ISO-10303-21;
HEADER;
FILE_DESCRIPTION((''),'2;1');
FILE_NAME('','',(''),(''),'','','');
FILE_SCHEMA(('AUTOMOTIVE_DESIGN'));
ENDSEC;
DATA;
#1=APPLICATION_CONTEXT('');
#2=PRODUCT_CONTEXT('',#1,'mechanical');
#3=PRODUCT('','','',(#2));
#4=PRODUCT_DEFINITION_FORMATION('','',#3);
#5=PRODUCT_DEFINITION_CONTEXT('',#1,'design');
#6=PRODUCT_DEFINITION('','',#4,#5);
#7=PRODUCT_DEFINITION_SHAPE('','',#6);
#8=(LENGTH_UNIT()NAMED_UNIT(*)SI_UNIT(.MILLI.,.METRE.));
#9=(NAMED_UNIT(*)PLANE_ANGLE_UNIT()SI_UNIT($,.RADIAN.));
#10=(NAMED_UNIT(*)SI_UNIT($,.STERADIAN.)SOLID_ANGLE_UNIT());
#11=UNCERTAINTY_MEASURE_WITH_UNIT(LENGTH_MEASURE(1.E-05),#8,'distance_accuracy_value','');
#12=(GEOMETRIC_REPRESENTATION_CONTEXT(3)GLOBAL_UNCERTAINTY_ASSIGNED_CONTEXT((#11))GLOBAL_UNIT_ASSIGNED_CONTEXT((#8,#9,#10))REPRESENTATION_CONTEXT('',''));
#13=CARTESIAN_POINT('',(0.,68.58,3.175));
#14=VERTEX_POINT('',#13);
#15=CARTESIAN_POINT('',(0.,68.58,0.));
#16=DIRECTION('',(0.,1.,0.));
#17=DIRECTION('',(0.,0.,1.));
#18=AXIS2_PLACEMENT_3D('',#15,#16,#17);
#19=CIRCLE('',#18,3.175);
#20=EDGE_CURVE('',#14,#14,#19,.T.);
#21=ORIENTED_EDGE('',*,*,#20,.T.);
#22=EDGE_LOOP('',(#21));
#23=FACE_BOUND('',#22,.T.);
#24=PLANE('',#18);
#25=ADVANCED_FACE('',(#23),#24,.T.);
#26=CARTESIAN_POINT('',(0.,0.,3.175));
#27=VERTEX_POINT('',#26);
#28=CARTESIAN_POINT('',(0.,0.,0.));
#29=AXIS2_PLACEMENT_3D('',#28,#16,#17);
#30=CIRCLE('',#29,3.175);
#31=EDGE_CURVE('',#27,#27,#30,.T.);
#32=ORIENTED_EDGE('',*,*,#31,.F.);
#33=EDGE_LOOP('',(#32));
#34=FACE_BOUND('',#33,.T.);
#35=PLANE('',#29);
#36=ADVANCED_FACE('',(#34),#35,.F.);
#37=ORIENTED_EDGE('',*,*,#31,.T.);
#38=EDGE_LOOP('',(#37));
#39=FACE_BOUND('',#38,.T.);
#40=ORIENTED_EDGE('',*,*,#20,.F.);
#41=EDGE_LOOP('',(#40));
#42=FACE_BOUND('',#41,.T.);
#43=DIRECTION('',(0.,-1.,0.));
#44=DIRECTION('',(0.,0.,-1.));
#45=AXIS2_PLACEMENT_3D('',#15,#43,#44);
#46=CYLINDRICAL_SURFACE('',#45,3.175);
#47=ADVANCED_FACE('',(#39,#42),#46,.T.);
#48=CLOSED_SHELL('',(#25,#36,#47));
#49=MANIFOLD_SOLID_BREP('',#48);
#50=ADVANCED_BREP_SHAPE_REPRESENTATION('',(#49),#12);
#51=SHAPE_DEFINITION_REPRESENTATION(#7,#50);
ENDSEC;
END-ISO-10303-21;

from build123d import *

# Parameters (mm, degrees)
SKETCH1_R           = 3.175
BOSS_EXTRUDE1_DEPTH = 68.58


with BuildPart() as part:
    # Sketch1 → Boss-Extrude1 (new body)
    with BuildSketch(Plane(origin=(0, 0, 0), x_dir=(1, 0, 0), z_dir=(0, 1, 0))):
        with Locations(Location((0, 0, 0), (0, 0, 270))):
            Circle(SKETCH1_R)
    extrude(amount=BOSS_EXTRUDE1_DEPTH)


solid = part.part
